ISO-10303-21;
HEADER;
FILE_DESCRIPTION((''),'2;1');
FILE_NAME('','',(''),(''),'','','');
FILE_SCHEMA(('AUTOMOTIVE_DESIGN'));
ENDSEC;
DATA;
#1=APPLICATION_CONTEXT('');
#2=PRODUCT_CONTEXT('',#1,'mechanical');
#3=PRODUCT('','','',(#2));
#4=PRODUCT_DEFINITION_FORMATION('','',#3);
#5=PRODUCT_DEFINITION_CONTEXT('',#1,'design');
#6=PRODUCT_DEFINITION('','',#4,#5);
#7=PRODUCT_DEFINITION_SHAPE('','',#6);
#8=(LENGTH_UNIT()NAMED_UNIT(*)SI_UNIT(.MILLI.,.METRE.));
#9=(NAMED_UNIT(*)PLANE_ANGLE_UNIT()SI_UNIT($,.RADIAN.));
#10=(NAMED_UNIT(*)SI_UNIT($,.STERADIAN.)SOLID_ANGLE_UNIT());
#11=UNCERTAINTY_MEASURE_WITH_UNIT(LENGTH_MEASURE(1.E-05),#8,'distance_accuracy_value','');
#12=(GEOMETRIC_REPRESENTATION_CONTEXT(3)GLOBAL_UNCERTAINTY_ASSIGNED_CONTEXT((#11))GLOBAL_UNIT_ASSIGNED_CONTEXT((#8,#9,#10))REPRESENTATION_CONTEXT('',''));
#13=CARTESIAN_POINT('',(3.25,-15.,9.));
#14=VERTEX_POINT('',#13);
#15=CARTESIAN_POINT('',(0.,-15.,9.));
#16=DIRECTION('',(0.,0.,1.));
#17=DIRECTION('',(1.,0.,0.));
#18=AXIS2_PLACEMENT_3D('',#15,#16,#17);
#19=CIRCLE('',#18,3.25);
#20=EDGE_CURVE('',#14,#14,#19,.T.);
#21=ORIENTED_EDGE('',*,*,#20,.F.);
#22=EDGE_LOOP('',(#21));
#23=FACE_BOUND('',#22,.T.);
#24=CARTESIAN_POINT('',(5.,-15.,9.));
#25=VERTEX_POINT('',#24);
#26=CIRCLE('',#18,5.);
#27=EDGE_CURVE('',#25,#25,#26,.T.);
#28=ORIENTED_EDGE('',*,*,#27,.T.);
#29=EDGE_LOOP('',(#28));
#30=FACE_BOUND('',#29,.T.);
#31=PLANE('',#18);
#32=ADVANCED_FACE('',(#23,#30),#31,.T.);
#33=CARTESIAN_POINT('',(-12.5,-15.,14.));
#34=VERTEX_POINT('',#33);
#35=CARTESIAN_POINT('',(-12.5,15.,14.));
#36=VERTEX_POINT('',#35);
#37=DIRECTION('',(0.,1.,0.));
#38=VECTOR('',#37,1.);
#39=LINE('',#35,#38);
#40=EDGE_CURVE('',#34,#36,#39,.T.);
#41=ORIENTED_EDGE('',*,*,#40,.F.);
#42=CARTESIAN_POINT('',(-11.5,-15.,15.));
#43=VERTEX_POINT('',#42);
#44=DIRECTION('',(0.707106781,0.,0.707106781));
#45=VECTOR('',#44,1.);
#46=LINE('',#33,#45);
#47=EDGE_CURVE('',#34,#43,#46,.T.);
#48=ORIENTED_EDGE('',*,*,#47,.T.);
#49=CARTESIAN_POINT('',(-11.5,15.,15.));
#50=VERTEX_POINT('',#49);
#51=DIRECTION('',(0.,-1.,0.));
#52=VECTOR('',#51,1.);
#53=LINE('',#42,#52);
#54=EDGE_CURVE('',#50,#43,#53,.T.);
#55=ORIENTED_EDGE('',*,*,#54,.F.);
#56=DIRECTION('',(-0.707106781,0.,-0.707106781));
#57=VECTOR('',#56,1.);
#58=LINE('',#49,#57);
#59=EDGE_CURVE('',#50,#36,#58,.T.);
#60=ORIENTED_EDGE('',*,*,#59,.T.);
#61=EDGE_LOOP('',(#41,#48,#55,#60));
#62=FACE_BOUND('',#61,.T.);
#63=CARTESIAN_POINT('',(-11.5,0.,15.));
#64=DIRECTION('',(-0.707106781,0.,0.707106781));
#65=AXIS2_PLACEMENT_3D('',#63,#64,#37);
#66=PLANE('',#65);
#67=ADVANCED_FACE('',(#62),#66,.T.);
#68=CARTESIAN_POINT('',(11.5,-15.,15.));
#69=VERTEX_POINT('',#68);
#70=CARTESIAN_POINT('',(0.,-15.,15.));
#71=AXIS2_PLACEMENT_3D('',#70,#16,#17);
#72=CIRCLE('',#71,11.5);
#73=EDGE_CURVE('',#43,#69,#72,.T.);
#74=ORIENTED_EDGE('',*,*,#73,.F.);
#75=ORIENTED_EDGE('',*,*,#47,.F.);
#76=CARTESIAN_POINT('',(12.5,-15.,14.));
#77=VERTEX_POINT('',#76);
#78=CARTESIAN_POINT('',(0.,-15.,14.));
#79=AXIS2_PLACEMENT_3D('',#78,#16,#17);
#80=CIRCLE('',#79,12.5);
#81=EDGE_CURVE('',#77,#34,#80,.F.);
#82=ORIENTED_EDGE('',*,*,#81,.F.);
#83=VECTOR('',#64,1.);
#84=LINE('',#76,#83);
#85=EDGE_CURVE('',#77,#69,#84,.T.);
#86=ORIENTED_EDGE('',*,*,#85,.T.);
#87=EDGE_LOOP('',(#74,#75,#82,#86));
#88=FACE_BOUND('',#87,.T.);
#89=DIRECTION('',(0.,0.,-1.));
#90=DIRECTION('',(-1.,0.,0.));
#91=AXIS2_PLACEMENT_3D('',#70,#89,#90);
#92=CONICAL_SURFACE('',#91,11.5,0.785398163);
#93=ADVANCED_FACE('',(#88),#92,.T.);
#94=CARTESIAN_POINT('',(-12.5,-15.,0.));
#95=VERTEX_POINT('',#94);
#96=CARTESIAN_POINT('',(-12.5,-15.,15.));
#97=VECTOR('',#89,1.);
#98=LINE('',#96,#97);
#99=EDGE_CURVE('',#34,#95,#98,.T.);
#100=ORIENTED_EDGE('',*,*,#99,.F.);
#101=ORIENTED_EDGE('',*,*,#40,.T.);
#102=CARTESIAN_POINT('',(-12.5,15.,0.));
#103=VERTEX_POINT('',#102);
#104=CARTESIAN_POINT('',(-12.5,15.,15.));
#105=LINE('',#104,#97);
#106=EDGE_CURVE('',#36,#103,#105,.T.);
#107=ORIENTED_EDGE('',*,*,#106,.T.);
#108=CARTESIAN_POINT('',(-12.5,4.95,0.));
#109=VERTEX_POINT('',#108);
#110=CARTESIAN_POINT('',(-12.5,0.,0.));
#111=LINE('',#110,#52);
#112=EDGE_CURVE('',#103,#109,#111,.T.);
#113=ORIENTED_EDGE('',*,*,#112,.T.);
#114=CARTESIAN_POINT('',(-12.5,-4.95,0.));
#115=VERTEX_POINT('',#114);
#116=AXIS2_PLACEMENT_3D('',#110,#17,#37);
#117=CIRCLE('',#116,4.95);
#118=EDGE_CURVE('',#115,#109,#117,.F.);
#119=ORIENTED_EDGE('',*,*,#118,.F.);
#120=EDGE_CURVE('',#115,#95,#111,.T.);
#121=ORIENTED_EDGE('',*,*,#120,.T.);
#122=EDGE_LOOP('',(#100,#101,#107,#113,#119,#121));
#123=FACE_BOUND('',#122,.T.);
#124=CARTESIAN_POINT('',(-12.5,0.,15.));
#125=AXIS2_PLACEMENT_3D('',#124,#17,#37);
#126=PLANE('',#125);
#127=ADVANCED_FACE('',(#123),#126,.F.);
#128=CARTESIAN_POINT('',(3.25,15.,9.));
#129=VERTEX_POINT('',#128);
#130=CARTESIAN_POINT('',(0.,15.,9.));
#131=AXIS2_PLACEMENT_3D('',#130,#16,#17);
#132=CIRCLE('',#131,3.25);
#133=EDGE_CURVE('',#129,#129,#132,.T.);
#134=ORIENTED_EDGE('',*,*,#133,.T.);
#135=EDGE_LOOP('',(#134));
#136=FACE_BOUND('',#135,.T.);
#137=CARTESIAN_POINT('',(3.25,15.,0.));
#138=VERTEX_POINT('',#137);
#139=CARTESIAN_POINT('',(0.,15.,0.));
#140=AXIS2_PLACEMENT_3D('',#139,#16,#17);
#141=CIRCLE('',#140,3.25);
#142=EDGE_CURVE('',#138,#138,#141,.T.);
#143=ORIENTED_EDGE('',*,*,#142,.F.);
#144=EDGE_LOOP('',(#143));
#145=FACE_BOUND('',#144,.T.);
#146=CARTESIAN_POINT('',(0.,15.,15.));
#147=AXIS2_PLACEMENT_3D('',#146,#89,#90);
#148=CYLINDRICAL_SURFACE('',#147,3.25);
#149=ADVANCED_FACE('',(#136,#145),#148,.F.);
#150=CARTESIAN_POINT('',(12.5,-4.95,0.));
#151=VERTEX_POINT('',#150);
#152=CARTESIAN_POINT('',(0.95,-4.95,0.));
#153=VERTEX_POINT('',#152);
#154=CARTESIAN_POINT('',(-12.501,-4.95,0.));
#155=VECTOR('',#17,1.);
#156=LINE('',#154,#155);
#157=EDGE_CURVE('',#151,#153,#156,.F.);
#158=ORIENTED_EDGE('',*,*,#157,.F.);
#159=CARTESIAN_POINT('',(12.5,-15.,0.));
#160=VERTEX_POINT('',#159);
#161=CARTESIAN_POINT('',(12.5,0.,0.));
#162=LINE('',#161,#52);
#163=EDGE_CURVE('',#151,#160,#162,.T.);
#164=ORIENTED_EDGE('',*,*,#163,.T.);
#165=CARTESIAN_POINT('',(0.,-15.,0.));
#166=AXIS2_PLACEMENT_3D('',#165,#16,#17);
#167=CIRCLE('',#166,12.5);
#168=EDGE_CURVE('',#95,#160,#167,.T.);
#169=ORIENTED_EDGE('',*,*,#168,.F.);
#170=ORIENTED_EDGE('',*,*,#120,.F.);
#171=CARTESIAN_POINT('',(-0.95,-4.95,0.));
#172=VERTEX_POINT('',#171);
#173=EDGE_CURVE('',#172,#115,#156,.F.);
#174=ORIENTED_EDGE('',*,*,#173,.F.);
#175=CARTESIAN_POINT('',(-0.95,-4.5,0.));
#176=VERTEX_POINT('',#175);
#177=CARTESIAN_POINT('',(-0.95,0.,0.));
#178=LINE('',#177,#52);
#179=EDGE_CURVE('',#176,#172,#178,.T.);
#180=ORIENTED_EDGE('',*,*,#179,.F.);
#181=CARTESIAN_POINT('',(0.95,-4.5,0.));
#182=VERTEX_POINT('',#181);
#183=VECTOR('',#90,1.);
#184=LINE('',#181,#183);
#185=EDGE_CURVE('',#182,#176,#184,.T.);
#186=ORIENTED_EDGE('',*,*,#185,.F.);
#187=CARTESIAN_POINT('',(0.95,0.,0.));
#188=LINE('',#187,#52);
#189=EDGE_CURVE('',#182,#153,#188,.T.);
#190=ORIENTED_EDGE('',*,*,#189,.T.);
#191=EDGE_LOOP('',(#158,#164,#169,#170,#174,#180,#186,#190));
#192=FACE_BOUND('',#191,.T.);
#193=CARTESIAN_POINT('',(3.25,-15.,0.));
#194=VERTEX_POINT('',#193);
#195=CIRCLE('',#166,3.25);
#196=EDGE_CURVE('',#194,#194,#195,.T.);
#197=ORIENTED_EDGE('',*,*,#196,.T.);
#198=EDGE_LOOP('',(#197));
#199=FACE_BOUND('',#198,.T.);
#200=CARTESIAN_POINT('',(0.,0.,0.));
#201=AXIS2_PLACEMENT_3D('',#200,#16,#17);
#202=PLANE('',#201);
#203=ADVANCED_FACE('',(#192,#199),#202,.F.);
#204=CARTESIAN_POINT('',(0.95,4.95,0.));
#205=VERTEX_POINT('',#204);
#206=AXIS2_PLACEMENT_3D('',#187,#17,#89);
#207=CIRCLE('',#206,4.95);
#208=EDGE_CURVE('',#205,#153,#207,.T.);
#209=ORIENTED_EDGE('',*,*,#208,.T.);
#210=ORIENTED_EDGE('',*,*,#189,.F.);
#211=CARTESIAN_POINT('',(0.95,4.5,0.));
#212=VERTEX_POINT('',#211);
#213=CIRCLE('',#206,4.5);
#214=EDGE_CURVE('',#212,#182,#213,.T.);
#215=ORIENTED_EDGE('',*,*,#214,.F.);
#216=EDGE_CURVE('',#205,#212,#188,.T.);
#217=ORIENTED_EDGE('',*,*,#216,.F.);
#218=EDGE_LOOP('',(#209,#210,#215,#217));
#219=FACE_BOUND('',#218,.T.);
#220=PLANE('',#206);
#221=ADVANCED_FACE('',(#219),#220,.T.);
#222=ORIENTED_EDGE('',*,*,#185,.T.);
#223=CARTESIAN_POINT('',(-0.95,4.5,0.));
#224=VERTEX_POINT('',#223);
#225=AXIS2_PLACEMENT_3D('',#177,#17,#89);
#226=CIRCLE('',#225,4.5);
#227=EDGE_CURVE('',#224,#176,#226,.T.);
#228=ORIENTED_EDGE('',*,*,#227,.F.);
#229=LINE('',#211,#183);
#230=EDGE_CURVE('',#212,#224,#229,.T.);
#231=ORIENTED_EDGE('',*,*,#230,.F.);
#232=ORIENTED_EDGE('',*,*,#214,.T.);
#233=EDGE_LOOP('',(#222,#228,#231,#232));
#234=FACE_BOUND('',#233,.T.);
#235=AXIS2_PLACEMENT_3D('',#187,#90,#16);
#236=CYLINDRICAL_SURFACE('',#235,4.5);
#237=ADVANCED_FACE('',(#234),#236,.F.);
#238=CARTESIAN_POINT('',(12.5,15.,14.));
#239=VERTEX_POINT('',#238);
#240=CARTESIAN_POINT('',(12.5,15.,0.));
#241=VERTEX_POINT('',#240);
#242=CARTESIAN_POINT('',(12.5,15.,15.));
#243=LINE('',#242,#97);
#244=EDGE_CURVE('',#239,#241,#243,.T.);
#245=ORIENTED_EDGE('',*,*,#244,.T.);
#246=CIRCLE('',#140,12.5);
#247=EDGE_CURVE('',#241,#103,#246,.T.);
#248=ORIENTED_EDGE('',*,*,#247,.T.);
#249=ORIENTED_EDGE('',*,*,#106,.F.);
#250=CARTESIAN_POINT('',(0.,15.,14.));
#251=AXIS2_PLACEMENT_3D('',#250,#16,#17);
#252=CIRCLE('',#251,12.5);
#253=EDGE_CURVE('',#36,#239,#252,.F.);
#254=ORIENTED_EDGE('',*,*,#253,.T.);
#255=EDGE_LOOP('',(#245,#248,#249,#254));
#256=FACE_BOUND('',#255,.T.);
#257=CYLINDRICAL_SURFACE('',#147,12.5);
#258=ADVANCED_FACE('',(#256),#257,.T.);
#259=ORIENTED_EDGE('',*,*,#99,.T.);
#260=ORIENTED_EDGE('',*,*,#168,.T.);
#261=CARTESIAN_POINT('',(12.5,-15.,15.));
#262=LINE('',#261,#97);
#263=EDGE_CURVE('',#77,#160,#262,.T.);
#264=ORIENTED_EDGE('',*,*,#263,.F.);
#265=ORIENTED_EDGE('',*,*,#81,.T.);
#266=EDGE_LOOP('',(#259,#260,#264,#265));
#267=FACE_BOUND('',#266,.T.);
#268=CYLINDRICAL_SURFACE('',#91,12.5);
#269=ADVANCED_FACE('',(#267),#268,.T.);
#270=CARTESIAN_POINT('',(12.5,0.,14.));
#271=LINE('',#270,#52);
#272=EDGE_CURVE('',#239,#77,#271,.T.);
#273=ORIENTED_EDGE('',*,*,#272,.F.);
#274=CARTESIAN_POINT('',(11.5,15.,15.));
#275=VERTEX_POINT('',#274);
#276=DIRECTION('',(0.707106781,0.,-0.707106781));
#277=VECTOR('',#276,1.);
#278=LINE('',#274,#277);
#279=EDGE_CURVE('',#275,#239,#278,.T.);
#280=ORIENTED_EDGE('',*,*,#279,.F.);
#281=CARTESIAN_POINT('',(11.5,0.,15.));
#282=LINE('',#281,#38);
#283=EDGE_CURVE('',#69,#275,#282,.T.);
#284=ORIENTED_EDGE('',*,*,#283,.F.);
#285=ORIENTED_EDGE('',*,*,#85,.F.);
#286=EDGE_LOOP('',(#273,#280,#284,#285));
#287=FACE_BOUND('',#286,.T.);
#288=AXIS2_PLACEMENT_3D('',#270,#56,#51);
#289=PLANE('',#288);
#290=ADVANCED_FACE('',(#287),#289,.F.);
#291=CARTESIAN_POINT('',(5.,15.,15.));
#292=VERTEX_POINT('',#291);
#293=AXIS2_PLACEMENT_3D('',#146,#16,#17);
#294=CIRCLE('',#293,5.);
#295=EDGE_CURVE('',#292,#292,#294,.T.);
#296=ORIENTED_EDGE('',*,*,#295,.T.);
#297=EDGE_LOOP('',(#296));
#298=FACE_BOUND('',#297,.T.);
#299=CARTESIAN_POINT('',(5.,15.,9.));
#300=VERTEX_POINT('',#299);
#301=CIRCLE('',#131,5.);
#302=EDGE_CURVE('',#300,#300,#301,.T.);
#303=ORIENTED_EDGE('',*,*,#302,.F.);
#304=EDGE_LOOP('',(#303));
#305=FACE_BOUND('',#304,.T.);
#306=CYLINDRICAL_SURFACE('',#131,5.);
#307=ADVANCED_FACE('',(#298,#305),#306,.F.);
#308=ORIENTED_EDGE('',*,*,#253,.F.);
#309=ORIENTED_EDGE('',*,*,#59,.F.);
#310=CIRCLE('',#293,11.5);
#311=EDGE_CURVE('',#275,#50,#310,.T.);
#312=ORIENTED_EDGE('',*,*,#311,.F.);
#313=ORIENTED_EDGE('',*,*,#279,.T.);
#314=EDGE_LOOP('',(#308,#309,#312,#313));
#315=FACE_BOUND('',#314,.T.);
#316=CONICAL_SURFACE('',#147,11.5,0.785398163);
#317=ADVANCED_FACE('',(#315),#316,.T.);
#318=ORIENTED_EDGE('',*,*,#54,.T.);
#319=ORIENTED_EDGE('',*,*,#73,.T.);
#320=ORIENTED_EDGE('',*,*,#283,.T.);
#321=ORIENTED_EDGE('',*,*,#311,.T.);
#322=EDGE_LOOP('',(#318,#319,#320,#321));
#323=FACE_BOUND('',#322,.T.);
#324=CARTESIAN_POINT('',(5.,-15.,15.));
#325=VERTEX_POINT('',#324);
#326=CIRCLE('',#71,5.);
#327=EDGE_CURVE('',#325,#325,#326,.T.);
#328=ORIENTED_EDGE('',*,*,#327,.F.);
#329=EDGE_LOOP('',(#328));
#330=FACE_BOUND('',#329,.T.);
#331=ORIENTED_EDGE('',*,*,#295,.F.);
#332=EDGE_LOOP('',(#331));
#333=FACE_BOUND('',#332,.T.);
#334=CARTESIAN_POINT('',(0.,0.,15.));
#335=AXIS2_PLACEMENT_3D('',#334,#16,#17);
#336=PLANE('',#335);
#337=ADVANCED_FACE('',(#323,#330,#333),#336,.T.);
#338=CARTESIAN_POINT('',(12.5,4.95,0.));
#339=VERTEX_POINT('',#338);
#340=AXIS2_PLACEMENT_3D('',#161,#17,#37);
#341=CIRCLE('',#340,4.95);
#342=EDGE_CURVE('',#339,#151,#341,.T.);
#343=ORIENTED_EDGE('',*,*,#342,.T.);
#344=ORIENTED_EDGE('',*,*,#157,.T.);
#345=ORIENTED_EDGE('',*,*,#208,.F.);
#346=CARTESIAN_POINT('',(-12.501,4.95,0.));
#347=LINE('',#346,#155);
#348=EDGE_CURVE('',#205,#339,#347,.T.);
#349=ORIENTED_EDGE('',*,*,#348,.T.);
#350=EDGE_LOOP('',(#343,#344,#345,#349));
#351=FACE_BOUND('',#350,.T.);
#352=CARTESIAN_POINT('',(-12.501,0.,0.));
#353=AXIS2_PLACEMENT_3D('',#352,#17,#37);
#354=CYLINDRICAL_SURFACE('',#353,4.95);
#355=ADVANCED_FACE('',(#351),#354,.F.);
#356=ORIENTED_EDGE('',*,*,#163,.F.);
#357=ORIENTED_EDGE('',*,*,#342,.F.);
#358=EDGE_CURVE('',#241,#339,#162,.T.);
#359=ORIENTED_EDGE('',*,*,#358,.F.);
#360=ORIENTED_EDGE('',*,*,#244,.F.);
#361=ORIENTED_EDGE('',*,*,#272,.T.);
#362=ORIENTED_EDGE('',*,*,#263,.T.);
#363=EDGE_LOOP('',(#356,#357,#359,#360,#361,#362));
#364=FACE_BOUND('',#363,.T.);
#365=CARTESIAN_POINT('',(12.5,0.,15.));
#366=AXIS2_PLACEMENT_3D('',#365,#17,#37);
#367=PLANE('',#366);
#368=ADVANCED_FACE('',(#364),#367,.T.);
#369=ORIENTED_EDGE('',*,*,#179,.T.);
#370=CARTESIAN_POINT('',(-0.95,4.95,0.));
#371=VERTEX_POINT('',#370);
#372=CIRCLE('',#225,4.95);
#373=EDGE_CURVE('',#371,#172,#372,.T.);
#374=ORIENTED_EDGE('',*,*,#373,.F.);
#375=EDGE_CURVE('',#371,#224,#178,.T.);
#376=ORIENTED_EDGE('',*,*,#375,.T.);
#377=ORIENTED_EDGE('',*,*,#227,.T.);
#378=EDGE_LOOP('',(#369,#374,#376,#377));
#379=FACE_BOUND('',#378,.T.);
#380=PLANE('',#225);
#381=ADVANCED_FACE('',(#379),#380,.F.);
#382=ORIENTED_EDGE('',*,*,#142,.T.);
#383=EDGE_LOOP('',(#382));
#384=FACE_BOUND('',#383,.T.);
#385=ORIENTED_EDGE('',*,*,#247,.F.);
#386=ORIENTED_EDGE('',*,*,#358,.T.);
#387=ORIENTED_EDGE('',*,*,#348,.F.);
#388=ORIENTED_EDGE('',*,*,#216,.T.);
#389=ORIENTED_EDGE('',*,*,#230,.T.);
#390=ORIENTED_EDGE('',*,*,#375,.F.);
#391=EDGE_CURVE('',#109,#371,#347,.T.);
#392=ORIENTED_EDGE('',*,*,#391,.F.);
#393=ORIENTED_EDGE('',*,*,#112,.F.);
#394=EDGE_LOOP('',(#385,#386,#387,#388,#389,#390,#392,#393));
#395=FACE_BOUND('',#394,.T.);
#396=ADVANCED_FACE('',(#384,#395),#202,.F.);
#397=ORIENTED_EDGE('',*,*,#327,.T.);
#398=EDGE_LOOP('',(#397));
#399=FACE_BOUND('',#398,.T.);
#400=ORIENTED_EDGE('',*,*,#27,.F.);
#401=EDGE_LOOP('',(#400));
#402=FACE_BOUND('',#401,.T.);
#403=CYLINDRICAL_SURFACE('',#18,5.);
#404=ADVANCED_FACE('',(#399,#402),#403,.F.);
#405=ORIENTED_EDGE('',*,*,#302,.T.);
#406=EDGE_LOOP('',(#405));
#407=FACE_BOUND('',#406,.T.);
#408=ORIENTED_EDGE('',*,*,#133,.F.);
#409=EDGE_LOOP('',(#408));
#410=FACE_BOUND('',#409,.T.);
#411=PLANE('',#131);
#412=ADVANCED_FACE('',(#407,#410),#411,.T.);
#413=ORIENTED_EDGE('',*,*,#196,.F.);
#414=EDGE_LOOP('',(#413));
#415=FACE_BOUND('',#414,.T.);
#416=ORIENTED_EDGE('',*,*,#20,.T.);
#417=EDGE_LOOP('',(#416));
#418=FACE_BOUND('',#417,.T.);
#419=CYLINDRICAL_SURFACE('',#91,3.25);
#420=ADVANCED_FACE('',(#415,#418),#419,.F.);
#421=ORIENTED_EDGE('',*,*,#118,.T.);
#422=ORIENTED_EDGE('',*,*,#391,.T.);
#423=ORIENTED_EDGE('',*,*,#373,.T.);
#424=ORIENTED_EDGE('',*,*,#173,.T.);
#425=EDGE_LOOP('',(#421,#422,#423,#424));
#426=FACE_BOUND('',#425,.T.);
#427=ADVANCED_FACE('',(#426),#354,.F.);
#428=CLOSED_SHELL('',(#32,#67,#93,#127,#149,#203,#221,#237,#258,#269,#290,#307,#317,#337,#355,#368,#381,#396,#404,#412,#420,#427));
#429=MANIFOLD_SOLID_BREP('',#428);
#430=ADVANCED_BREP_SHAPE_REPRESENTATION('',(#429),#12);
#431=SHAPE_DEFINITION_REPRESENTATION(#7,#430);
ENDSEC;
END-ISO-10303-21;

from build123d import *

# Parameters (mm, degrees)
SKETCH1_R           = 3.25
BOSS_EXTRUDE1_DEPTH = 15
CUT_EXTRUDE1_REACH  = 27
SKETCH2_R           = 4.95
CHAMFER1_SIZE       = 1
SKETCH3_R           = 5
CUT_EXTRUDE2_DEPTH  = 6
BOSS_EXTRUDE2_DEPTH = 0.95


with BuildPart() as part:
    # Sketch1 → Boss-Extrude1 (new body)
    with BuildSketch(Plane.XY):
        with BuildLine():
            Line((-12.5, 15), (-12.5, -15))
            ThreePointArc((-12.5, -15), (0, -27.5), (12.5, -15))
            Line((12.5, -15), (12.5, 15))
            ThreePointArc((12.5, 15), (0, 27.5), (-12.5, 15))
        make_face()
        with Locations((0, 15)):
            Circle(SKETCH1_R, mode=Mode.SUBTRACT)
        with Locations((0, -15)):
            Circle(SKETCH1_R, mode=Mode.SUBTRACT)
    extrude(amount=BOSS_EXTRUDE1_DEPTH)

    # Sketch2 → Cut-Extrude1 (cut, up to next)
    with BuildSketch(Plane(origin=(12.5, 0, 0), x_dir=(0, 0, -1), z_dir=(1, 0, 0)), mode=Mode.PRIVATE) as cut_extrude1_sk1:
        Circle(SKETCH2_R)
    cut_extrude1_tool1 = extrude(cut_extrude1_sk1.sketch, amount=-CUT_EXTRUDE1_REACH, mode=Mode.PRIVATE) & part.part
    add(cut_extrude1_tool1.solids().sort_by_distance((12.5, 0, 0))[0], mode=Mode.SUBTRACT)

    # Chamfer1
    chamfer1_edges = [part.edges().sort_by_distance(p)[0] for p in [
        (-12.5, 0, 15),
        (0, -27.5, 15),
        (12.5, 0, 15),
        (0, 27.5, 15),
    ]]
    chamfer(chamfer1_edges, length=CHAMFER1_SIZE)

    # Sketch3 → Cut-Extrude2 (cut)
    with BuildSketch(Plane.XY.offset(15)):
        with Locations((0, 15)):
            Circle(SKETCH3_R)
        with Locations((0, -15)):
            Circle(SKETCH3_R)
    extrude(amount=-CUT_EXTRUDE2_DEPTH, mode=Mode.SUBTRACT)

    # Sketch5 → Boss-Extrude2 (add, symmetric)
    with BuildSketch(Plane(origin=(0, 0, 0), x_dir=(0, 0, -1), z_dir=(1, 0, 0))):
        with BuildLine():
            Line((0, 4.5), (0, 4.95))
            ThreePointArc((0, 4.95), (-4.95, 0), (0, -4.95))
            Line((0, -4.95), (0, -4.5))
            ThreePointArc((0, -4.5), (-4.5, 0), (0, 4.5))
        make_face()
    extrude(amount=BOSS_EXTRUDE2_DEPTH, both=True)


solid = part.part
